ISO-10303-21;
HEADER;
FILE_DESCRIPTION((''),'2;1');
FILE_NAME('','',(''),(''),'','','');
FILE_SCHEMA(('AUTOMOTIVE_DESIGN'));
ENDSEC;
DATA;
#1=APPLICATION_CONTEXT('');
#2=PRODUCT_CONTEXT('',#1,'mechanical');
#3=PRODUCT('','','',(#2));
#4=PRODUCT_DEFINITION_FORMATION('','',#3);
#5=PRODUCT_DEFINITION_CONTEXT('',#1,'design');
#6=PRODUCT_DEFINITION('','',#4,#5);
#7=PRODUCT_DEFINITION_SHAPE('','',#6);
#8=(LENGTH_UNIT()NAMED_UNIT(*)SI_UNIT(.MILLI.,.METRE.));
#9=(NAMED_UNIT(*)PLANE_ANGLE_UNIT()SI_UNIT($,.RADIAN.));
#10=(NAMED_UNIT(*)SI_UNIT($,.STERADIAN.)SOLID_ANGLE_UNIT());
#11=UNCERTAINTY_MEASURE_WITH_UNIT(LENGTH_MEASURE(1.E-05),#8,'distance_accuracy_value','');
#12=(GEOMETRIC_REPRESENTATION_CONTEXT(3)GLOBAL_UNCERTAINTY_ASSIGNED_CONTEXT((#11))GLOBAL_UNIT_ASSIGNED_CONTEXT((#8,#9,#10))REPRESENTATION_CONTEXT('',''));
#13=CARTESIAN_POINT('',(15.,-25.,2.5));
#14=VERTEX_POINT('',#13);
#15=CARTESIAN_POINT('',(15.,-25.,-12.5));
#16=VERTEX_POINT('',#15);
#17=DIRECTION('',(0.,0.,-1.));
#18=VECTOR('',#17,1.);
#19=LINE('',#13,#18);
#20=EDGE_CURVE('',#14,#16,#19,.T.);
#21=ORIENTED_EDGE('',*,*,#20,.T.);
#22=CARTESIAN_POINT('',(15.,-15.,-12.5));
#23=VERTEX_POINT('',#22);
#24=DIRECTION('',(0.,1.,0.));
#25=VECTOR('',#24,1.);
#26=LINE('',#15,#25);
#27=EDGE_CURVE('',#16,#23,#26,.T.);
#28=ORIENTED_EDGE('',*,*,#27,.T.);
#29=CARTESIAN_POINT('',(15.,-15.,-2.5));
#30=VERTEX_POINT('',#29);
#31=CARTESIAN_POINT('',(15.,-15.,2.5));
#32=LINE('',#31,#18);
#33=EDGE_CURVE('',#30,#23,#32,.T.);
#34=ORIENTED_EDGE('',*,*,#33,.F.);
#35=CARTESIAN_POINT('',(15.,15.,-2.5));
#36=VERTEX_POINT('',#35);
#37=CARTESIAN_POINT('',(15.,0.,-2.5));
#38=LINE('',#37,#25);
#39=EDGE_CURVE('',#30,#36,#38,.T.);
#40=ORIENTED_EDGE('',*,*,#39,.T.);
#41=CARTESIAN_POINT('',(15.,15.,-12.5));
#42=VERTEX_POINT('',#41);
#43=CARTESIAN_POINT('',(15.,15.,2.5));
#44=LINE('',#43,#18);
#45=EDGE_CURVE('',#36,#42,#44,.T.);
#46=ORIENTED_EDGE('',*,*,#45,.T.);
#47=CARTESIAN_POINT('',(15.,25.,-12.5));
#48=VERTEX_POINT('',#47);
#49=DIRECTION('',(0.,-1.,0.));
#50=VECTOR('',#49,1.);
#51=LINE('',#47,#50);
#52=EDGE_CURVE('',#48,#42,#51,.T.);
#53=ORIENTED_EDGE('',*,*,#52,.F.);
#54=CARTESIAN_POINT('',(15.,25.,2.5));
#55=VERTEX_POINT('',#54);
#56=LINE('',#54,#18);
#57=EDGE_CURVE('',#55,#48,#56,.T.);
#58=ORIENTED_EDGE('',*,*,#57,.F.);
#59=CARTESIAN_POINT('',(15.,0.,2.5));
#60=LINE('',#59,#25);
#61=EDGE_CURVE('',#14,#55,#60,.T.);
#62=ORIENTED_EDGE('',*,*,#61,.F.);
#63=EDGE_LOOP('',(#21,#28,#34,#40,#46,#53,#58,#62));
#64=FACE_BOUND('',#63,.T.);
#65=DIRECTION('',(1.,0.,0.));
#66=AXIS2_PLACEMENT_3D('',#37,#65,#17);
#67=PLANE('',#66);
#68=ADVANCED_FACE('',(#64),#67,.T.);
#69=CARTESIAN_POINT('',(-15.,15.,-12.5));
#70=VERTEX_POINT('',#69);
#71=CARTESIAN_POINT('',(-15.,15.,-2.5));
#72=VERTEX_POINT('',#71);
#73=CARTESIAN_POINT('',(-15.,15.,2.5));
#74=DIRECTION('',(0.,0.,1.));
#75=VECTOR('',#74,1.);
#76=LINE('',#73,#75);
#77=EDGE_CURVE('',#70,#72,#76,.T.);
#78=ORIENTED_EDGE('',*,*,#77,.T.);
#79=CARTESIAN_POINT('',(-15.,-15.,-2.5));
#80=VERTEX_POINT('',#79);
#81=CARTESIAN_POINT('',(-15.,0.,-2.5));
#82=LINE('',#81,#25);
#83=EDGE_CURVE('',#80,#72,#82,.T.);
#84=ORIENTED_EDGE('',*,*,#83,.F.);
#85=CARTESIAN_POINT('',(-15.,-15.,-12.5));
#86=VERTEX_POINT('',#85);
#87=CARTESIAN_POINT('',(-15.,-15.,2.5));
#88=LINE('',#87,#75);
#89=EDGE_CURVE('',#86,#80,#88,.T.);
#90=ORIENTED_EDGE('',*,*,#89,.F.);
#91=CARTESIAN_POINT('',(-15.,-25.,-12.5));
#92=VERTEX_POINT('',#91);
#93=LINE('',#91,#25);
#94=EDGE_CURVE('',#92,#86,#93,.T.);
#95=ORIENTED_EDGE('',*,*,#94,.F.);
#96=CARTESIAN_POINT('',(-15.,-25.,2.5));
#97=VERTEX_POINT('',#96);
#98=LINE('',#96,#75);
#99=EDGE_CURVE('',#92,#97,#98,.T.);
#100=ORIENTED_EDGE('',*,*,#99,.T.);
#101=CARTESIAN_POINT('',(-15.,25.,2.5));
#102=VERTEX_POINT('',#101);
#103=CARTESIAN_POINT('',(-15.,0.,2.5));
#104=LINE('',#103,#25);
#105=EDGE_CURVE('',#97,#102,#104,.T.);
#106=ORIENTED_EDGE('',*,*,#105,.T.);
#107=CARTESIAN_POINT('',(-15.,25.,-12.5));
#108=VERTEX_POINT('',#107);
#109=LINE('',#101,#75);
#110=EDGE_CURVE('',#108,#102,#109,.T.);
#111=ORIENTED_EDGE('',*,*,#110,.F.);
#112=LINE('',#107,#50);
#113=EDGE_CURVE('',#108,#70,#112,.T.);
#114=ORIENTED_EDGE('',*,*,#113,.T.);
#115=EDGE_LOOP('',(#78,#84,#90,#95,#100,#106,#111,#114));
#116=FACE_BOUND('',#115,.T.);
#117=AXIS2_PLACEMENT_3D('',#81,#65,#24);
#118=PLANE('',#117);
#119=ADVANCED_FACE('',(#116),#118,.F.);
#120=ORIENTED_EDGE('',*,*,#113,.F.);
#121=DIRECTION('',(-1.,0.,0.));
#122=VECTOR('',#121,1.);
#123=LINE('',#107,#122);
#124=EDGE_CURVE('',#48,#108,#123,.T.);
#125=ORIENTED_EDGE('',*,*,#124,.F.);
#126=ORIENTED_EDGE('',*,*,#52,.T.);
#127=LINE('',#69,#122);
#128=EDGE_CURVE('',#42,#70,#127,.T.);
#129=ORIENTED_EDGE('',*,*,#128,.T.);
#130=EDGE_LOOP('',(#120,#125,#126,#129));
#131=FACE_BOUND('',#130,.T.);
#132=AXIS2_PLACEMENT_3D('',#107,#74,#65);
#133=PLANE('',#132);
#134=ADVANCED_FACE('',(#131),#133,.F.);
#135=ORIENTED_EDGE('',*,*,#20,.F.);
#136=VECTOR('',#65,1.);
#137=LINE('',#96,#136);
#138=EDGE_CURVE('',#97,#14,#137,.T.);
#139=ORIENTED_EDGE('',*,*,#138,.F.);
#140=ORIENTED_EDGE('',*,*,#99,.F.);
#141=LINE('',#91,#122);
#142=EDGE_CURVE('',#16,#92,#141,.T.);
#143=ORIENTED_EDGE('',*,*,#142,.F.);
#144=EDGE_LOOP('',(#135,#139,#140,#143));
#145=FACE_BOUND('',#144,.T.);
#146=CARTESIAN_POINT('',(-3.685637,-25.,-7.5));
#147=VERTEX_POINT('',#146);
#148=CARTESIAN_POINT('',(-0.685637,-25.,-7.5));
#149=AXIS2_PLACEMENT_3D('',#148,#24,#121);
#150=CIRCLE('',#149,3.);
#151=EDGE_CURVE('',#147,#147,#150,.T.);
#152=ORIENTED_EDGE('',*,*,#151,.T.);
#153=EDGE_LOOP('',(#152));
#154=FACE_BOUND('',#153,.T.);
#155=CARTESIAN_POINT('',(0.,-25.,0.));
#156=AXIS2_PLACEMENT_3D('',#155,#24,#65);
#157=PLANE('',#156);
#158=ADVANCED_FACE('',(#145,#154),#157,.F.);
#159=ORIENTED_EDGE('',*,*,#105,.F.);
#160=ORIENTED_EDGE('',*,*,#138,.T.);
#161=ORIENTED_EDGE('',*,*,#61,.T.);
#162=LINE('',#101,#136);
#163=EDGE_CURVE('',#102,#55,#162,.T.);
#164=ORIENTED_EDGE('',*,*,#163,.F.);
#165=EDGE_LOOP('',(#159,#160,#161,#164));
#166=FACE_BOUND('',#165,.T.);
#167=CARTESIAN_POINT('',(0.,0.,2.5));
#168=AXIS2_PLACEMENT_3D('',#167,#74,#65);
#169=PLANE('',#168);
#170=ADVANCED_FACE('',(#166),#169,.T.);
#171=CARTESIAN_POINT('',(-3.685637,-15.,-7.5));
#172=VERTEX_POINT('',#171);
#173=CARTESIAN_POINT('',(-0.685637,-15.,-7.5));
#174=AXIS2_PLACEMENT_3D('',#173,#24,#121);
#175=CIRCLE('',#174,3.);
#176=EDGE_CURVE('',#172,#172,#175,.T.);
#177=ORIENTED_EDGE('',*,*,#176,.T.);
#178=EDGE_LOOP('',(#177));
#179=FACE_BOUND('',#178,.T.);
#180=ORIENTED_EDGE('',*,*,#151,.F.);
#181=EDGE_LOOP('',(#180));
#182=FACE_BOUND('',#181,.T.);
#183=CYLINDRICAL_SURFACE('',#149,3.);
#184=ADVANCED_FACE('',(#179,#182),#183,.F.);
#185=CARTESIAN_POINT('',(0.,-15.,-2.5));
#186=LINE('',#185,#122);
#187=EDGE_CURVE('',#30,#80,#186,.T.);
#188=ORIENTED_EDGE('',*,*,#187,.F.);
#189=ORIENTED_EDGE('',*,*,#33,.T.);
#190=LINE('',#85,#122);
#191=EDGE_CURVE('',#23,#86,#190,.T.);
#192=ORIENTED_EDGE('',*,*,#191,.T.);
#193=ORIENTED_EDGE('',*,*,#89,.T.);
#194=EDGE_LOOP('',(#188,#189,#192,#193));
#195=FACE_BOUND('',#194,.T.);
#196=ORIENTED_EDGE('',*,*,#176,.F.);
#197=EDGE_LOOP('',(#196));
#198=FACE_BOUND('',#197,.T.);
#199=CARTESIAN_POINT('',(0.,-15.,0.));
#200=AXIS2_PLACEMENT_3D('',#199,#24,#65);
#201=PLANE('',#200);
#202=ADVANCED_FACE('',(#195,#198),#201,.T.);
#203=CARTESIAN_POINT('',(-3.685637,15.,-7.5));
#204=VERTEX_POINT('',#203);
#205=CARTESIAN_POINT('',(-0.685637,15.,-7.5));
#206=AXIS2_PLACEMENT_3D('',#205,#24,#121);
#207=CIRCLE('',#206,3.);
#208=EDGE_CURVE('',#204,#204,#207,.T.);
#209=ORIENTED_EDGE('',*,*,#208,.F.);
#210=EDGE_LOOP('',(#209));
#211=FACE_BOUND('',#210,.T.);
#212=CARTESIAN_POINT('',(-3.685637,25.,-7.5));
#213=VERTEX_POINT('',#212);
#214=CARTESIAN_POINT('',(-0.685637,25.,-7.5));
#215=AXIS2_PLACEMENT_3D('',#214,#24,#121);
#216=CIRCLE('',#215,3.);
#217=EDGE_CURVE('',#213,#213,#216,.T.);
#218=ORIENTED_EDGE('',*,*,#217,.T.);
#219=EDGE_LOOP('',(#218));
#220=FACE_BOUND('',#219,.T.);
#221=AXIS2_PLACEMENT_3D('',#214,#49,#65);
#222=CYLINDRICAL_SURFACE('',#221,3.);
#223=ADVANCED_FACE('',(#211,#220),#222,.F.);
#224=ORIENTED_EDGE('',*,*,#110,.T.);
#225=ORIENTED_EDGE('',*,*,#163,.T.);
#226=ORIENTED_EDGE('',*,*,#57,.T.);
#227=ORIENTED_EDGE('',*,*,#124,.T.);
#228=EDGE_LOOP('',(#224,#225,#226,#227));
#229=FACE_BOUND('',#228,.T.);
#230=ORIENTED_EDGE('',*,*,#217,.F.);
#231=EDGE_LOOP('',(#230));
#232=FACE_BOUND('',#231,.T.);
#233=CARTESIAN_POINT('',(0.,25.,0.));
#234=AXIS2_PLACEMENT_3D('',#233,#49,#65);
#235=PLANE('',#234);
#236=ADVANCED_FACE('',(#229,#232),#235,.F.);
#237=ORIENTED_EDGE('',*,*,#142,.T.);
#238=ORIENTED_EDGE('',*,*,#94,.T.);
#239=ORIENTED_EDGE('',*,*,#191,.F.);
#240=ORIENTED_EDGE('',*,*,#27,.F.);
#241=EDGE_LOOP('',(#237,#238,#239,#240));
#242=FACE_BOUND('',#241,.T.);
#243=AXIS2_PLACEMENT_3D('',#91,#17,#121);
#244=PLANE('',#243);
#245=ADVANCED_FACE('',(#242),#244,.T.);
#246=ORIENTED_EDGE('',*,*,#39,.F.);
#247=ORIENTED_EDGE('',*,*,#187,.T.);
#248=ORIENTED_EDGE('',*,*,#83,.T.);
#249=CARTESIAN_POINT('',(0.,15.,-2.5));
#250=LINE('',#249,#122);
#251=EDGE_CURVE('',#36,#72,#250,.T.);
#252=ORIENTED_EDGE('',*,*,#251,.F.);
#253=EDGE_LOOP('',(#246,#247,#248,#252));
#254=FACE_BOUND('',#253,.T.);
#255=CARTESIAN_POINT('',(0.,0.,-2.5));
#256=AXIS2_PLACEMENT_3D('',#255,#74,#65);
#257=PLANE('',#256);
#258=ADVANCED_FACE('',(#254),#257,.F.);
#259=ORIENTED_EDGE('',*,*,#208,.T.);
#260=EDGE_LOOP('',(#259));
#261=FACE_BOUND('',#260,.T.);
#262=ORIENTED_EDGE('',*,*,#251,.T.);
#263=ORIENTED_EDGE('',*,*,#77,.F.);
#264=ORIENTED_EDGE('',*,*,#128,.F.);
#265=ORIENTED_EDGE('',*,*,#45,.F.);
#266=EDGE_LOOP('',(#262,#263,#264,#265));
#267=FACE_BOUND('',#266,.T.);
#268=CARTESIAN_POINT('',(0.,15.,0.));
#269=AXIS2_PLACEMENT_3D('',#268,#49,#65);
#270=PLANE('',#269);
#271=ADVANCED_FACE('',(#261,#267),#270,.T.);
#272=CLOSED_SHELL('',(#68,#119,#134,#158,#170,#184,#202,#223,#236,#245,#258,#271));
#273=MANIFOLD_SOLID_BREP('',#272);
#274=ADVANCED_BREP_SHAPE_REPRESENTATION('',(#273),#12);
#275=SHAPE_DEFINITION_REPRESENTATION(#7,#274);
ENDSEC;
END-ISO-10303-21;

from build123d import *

# Parameters (mm, degrees)
BOSS_EXTRUDE2_DEPTH      = 2.5
BOSS_EXTRUDE2_DEPTH_BACK = 2.5
SKETCH4_W                = 30
SKETCH4_H                = 30
SKETCH5_W                = 30
SKETCH5_H                = 15
SKETCH5_R                = 3
BOSS_EXTRUDE3_DEPTH      = 10


with BuildPart() as part:
    # Sketch4 → Boss-Extrude2 (new, two sides: drawn at the far end of the back side and taken through both)
    with BuildSketch(Plane.XY.offset(-BOSS_EXTRUDE2_DEPTH_BACK)):
        Rectangle(SKETCH4_W, SKETCH4_H)
    extrude(amount=BOSS_EXTRUDE2_DEPTH + BOSS_EXTRUDE2_DEPTH_BACK)

    # Sketch5 → Boss-Extrude3 (add)
    with BuildSketch(Plane(origin=(0, 15, 0), x_dir=(1, 0, 0), z_dir=(0, 1, 0))):
        with Locations((0, 5)):
            Rectangle(SKETCH5_W, SKETCH5_H)
        with Locations((-0.685637394, 7.5)):
            Circle(SKETCH5_R, mode=Mode.SUBTRACT)
    boss_extrude3 = extrude(amount=BOSS_EXTRUDE3_DEPTH)

    # Mirror1: Boss-Extrude3 across plane
    add(boss_extrude3.mirror(Plane.ZX))


solid = part.part
